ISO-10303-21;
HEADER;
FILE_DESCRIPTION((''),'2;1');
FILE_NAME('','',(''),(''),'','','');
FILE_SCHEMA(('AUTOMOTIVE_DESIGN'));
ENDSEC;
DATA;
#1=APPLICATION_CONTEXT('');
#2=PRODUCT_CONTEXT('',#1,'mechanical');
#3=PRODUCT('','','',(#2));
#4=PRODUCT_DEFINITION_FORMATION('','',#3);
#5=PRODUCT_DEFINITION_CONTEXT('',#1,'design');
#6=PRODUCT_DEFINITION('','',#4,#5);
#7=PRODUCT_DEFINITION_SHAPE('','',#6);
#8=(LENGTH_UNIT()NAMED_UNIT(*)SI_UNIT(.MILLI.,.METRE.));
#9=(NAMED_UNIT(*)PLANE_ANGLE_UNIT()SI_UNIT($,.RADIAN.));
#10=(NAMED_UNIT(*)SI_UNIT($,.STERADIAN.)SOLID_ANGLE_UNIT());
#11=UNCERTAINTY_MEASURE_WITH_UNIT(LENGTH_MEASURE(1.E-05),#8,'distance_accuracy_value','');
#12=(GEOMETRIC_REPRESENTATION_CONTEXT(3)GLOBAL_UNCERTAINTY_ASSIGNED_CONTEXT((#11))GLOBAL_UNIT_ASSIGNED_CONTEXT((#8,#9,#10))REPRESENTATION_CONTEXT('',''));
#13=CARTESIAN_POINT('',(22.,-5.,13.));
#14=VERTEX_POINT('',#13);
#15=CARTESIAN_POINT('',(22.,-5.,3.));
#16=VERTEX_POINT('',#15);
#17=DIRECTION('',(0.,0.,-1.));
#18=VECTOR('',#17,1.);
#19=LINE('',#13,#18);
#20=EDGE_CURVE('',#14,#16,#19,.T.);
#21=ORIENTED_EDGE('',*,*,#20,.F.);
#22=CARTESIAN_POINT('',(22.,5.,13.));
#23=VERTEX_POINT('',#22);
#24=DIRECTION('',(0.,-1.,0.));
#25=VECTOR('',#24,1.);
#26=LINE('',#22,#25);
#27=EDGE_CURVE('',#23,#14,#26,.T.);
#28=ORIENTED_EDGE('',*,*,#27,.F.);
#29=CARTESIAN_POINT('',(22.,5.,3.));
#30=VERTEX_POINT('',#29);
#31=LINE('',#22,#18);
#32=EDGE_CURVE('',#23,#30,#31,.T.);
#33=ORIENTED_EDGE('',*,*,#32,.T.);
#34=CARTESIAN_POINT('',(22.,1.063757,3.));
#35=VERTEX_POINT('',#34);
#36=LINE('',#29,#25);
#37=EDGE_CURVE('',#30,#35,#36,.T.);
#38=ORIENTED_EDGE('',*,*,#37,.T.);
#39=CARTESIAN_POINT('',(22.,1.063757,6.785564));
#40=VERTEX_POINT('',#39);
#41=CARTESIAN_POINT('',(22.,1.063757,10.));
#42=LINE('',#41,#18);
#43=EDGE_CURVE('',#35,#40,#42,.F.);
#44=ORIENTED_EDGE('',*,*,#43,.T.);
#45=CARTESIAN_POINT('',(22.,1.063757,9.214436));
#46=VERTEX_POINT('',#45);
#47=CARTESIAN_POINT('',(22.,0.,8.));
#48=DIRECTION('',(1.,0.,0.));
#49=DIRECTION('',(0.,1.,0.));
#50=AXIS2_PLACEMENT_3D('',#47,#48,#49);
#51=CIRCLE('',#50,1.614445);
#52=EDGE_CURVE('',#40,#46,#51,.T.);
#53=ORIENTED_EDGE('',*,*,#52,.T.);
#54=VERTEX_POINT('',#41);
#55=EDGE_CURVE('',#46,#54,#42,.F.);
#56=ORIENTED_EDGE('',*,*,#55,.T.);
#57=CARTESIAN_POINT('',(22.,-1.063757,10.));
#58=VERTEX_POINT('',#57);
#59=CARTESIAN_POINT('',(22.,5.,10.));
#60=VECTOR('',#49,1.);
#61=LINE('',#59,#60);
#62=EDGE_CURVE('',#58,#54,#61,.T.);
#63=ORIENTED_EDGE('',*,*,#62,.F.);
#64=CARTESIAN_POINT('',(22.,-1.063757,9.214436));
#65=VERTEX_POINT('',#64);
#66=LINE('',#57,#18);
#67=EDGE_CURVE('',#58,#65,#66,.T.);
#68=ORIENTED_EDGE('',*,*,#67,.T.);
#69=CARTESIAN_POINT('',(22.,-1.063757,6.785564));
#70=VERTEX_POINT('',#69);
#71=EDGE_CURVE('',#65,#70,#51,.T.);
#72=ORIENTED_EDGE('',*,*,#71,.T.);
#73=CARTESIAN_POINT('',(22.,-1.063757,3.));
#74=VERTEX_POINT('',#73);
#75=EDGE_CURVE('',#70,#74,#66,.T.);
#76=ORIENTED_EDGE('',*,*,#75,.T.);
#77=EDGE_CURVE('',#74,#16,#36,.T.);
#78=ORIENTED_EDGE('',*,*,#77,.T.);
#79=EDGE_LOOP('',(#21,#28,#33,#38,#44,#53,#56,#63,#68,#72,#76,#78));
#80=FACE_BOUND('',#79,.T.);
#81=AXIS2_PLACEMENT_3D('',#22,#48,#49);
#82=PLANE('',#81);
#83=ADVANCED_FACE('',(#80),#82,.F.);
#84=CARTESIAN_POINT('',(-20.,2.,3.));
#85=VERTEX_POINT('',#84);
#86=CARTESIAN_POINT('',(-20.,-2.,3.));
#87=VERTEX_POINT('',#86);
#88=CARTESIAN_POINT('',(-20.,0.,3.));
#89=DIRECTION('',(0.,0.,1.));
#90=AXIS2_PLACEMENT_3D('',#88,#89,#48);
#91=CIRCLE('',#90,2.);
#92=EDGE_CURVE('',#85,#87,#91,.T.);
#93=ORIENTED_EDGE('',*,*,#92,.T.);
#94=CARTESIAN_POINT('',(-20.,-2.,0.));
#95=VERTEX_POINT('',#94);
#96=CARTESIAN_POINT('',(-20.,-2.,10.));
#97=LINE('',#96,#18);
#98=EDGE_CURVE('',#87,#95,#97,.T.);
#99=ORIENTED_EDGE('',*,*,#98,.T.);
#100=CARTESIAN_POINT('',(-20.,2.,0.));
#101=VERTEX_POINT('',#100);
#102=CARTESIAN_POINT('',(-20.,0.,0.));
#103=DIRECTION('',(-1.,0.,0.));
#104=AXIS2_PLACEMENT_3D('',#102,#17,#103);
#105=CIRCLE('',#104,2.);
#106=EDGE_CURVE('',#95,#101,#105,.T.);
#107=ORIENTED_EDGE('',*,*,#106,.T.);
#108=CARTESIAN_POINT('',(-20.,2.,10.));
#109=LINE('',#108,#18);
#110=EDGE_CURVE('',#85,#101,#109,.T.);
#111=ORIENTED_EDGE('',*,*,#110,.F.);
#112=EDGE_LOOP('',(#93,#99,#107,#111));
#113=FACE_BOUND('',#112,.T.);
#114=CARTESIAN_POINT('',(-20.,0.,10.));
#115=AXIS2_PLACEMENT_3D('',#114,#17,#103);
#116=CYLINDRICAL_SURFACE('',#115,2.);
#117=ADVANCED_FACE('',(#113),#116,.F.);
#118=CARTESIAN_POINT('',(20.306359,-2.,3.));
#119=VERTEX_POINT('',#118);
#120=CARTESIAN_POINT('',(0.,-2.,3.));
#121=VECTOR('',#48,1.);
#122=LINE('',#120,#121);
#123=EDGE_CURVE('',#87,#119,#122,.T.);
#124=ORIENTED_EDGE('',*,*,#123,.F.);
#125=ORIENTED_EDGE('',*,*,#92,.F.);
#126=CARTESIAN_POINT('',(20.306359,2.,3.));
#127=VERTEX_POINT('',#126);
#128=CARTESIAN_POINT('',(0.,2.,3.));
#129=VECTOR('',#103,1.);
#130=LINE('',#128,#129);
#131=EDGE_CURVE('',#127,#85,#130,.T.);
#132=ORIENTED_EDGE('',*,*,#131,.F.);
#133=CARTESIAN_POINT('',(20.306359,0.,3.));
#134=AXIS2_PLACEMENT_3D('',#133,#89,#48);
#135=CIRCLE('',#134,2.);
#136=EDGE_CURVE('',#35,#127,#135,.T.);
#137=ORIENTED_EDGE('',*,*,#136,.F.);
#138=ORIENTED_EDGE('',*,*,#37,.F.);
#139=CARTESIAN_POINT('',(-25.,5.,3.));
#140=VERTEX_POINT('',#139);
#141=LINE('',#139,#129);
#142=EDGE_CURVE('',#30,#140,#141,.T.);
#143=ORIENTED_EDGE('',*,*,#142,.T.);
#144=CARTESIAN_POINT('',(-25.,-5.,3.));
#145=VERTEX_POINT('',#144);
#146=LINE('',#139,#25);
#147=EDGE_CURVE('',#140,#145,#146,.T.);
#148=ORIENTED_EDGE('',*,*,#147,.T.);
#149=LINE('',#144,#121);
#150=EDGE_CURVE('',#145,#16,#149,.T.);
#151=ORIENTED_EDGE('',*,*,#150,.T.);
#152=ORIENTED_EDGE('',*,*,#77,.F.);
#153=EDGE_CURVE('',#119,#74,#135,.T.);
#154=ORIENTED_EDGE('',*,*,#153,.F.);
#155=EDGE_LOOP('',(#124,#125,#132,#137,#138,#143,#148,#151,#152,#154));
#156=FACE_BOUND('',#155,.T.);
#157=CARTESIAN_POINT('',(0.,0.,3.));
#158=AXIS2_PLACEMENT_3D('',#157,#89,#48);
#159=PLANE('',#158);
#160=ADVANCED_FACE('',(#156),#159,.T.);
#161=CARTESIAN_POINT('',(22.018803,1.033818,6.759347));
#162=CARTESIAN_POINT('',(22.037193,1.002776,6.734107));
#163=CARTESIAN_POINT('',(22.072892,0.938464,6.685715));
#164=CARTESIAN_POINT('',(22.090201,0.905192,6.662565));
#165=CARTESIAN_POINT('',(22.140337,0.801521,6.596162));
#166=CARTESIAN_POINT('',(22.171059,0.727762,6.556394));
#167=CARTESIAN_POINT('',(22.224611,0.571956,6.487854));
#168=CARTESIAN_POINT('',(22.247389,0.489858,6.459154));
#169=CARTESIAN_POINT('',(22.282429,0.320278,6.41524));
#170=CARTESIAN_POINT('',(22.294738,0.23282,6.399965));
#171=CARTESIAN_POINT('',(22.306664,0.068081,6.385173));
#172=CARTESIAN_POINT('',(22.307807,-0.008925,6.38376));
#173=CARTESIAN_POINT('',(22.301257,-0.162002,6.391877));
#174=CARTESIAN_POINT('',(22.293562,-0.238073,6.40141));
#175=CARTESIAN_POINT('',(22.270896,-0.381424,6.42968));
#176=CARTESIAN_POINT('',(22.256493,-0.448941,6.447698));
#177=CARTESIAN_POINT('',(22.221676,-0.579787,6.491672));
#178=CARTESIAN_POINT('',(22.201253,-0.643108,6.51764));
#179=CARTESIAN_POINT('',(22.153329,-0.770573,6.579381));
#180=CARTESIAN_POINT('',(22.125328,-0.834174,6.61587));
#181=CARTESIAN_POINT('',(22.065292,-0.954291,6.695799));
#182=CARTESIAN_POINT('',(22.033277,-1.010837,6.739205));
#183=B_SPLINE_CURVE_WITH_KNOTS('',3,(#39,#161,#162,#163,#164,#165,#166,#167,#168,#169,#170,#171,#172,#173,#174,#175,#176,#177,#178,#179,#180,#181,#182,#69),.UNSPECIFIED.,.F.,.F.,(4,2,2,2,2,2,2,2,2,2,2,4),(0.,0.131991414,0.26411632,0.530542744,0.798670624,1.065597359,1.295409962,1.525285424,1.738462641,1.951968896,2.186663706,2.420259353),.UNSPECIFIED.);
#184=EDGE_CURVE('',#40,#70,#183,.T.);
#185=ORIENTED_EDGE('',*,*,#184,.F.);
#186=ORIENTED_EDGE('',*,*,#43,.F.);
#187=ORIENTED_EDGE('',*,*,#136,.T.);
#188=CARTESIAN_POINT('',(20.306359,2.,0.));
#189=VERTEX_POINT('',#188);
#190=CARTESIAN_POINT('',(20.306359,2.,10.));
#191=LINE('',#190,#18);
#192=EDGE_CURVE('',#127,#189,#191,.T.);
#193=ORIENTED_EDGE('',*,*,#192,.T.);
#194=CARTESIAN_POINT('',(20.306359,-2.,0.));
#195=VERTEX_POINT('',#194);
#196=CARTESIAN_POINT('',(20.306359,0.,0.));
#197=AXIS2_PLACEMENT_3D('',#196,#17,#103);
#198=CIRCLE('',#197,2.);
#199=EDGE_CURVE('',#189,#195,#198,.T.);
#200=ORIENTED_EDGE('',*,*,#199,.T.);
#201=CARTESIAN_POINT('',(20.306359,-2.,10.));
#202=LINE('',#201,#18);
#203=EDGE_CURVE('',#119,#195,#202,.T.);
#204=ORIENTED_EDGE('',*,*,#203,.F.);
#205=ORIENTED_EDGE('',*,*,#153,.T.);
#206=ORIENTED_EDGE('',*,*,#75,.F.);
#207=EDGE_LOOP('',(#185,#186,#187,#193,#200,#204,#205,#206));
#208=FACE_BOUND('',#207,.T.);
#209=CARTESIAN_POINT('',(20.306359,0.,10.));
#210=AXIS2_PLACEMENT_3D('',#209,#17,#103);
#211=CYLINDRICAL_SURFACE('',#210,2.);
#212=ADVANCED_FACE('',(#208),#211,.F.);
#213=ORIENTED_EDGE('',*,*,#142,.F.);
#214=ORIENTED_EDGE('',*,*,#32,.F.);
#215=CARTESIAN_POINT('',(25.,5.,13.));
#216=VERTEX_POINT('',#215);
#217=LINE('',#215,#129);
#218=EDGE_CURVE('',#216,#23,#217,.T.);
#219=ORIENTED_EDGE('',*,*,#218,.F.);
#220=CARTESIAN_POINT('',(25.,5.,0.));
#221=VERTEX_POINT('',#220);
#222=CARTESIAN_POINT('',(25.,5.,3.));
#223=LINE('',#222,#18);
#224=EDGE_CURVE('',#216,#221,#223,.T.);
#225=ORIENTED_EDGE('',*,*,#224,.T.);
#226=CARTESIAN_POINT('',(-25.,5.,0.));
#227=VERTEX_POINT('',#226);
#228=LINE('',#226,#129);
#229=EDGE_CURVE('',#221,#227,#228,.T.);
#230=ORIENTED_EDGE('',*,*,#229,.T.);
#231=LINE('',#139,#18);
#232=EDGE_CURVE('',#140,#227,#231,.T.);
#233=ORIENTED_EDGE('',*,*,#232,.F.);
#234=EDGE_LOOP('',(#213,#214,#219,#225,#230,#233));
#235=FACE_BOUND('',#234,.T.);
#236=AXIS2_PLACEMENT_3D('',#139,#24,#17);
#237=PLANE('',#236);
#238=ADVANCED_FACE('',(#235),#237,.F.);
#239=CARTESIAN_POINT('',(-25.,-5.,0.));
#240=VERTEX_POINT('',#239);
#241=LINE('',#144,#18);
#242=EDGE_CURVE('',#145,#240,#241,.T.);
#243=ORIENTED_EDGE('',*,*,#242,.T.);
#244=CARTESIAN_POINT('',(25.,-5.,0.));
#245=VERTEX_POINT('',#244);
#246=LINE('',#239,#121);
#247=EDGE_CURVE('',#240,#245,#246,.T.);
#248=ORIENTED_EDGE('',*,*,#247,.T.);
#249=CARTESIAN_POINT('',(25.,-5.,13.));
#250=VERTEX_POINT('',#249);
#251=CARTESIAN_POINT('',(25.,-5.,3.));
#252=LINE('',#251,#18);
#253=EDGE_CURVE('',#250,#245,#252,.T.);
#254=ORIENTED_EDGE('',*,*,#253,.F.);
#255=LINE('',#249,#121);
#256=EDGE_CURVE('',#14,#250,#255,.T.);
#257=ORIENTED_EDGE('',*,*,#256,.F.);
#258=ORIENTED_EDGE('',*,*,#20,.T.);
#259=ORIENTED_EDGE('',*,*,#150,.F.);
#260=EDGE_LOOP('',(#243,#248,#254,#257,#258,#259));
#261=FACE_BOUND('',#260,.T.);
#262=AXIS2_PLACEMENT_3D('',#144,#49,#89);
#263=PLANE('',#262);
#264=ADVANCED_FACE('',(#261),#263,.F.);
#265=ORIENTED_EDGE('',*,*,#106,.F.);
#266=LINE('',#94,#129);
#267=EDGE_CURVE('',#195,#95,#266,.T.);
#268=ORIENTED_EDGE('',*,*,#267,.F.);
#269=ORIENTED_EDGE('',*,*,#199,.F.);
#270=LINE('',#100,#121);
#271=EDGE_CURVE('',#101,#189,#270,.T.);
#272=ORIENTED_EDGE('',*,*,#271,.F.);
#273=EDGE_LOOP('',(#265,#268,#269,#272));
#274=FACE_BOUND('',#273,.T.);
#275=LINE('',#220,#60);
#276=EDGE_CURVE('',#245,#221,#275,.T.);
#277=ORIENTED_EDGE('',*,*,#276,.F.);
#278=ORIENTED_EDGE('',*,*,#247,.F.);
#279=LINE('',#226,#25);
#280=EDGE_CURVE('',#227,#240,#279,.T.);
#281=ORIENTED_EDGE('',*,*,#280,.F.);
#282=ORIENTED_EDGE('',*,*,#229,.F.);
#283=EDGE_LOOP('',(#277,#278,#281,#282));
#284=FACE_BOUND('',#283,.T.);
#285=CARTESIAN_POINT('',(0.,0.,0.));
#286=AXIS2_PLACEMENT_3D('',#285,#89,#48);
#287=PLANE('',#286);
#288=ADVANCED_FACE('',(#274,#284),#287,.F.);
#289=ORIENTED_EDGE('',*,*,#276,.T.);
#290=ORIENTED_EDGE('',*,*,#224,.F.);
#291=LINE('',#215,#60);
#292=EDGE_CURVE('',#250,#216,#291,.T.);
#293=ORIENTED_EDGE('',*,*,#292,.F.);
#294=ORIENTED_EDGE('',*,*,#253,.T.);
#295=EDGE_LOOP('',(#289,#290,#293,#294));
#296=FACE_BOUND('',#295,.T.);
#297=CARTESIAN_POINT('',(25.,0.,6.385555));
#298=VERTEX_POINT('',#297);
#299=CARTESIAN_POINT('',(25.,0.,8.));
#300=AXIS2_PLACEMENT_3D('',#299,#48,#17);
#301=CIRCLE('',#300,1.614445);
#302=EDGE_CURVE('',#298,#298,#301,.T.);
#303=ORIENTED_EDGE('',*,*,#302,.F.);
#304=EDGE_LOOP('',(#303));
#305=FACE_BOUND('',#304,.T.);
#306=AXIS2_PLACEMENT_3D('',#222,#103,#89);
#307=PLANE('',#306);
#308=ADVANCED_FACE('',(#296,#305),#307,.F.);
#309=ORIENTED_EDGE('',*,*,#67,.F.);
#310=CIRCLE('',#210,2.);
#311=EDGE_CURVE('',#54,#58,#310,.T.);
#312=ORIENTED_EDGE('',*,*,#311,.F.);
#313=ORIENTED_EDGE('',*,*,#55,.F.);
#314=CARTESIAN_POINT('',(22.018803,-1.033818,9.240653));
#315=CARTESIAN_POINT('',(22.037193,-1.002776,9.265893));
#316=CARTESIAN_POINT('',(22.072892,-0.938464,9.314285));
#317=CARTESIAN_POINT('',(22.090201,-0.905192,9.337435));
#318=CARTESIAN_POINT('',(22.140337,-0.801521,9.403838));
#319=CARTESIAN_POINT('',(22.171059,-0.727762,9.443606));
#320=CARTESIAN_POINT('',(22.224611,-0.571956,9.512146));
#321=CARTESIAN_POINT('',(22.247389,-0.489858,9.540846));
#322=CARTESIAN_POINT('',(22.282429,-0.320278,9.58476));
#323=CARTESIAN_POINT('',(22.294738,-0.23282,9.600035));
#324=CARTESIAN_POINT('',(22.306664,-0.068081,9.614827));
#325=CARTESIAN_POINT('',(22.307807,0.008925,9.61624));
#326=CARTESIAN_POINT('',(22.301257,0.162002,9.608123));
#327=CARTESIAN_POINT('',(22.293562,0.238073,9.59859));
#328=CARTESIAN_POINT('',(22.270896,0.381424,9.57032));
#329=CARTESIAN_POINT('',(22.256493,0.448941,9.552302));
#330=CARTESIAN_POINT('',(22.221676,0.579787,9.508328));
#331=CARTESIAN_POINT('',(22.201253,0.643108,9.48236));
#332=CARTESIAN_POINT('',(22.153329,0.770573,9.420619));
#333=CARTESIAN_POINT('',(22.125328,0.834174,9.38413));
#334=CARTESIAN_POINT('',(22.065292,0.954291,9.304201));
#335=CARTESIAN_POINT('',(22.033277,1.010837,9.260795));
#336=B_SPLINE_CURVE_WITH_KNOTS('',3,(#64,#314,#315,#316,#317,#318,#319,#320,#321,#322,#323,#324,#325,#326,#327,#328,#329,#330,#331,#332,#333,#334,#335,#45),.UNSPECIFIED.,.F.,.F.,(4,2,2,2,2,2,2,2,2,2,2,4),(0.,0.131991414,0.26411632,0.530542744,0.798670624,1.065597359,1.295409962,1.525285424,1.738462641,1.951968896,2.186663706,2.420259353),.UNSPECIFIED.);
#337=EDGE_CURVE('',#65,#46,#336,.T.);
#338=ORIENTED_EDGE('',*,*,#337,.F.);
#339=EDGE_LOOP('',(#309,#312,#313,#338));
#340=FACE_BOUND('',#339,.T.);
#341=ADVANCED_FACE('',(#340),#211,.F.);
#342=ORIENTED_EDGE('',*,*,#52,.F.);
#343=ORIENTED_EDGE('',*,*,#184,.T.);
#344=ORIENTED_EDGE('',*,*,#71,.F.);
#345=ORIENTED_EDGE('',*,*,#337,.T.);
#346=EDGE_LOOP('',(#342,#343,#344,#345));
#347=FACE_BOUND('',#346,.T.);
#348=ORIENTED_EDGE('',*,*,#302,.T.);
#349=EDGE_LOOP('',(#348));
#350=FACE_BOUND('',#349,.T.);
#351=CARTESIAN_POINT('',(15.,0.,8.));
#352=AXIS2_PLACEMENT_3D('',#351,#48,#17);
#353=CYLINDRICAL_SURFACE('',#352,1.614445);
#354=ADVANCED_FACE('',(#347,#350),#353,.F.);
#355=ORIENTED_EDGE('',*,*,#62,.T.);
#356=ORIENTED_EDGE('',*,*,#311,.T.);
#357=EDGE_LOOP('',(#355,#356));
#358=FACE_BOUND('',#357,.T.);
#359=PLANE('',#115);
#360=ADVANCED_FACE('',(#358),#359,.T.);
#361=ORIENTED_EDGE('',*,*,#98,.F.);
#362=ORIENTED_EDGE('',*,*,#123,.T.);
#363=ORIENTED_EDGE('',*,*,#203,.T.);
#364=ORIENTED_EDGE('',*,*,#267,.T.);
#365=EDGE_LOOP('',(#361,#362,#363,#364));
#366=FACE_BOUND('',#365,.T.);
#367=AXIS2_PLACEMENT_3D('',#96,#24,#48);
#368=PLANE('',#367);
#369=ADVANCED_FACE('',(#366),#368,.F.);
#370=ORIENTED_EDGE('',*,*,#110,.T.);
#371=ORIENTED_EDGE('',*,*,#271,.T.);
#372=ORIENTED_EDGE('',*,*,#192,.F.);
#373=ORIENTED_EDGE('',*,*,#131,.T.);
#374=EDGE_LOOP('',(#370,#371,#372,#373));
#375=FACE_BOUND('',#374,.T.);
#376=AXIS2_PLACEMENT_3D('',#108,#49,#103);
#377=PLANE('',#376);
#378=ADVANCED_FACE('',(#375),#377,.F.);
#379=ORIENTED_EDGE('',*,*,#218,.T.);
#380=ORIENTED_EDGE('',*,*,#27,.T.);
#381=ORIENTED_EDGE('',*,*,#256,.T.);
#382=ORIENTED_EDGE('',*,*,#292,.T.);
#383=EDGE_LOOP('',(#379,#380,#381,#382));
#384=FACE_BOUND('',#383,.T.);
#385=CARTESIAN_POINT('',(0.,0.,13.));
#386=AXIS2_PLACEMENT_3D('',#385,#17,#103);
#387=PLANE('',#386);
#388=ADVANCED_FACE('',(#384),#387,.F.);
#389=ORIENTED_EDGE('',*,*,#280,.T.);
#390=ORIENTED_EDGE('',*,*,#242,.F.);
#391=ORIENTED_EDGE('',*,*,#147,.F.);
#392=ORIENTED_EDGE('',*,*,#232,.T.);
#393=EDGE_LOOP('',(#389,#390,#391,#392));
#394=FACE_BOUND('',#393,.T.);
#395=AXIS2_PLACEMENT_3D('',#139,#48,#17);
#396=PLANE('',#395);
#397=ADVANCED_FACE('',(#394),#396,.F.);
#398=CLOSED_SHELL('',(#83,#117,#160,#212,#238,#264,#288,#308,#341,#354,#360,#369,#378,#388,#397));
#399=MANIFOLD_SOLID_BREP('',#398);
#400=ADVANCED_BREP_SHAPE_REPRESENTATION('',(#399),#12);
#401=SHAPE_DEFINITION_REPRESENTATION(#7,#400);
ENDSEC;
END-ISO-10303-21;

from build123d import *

# Parameters (mm, degrees)
SKETCH1_W           = 50
SKETCH1_H           = 10
BOSS_EXTRUDE1_DEPTH = 3
SKETCH2_W           = 3
SKETCH2_H           = 10
BOSS_EXTRUDE2_DEPTH = 10
SKETCH3_R           = 1.614445202
CUT_EXTRUDE1_DEPTH  = 10
CUT_EXTRUDE2_DEPTH  = 10


with BuildPart() as part:
    # Sketch1 → Boss-Extrude1 (new body)
    with BuildSketch(Plane.XY):
        Rectangle(SKETCH1_W, SKETCH1_H)
    extrude(amount=BOSS_EXTRUDE1_DEPTH)

    # Sketch2 → Boss-Extrude2 (add)
    with BuildSketch(Plane.XY.offset(3)):
        with Locations((23.5, 0)):
            Rectangle(SKETCH2_W, SKETCH2_H)
    extrude(amount=BOSS_EXTRUDE2_DEPTH)

    # Sketch3 → Cut-Extrude1 (cut)
    with BuildSketch(Plane(origin=(25, 0, 0), x_dir=(0, 0, -1), z_dir=(1, 0, 0))):
        with Locations((-8, 0)):
            Circle(SKETCH3_R)
    extrude(amount=-CUT_EXTRUDE1_DEPTH, mode=Mode.SUBTRACT)

    # Sketch5 → Cut-Extrude2 (cut)
    with BuildSketch(Plane(origin=(0, 0, 0), x_dir=(-1, 0, 0), z_dir=(0, 0, -1))):
        with BuildLine():
            Line((20, -2), (-20.306358663, -2))
            ThreePointArc((-20.306358663, -2), (-22.306358663, 0), (-20.306358663, 2))
            Line((-20.306358663, 2), (20, 2))
            ThreePointArc((20, 2), (22, 0), (20, -2))
        make_face()
    extrude(amount=-CUT_EXTRUDE2_DEPTH, mode=Mode.SUBTRACT)


solid = part.part
